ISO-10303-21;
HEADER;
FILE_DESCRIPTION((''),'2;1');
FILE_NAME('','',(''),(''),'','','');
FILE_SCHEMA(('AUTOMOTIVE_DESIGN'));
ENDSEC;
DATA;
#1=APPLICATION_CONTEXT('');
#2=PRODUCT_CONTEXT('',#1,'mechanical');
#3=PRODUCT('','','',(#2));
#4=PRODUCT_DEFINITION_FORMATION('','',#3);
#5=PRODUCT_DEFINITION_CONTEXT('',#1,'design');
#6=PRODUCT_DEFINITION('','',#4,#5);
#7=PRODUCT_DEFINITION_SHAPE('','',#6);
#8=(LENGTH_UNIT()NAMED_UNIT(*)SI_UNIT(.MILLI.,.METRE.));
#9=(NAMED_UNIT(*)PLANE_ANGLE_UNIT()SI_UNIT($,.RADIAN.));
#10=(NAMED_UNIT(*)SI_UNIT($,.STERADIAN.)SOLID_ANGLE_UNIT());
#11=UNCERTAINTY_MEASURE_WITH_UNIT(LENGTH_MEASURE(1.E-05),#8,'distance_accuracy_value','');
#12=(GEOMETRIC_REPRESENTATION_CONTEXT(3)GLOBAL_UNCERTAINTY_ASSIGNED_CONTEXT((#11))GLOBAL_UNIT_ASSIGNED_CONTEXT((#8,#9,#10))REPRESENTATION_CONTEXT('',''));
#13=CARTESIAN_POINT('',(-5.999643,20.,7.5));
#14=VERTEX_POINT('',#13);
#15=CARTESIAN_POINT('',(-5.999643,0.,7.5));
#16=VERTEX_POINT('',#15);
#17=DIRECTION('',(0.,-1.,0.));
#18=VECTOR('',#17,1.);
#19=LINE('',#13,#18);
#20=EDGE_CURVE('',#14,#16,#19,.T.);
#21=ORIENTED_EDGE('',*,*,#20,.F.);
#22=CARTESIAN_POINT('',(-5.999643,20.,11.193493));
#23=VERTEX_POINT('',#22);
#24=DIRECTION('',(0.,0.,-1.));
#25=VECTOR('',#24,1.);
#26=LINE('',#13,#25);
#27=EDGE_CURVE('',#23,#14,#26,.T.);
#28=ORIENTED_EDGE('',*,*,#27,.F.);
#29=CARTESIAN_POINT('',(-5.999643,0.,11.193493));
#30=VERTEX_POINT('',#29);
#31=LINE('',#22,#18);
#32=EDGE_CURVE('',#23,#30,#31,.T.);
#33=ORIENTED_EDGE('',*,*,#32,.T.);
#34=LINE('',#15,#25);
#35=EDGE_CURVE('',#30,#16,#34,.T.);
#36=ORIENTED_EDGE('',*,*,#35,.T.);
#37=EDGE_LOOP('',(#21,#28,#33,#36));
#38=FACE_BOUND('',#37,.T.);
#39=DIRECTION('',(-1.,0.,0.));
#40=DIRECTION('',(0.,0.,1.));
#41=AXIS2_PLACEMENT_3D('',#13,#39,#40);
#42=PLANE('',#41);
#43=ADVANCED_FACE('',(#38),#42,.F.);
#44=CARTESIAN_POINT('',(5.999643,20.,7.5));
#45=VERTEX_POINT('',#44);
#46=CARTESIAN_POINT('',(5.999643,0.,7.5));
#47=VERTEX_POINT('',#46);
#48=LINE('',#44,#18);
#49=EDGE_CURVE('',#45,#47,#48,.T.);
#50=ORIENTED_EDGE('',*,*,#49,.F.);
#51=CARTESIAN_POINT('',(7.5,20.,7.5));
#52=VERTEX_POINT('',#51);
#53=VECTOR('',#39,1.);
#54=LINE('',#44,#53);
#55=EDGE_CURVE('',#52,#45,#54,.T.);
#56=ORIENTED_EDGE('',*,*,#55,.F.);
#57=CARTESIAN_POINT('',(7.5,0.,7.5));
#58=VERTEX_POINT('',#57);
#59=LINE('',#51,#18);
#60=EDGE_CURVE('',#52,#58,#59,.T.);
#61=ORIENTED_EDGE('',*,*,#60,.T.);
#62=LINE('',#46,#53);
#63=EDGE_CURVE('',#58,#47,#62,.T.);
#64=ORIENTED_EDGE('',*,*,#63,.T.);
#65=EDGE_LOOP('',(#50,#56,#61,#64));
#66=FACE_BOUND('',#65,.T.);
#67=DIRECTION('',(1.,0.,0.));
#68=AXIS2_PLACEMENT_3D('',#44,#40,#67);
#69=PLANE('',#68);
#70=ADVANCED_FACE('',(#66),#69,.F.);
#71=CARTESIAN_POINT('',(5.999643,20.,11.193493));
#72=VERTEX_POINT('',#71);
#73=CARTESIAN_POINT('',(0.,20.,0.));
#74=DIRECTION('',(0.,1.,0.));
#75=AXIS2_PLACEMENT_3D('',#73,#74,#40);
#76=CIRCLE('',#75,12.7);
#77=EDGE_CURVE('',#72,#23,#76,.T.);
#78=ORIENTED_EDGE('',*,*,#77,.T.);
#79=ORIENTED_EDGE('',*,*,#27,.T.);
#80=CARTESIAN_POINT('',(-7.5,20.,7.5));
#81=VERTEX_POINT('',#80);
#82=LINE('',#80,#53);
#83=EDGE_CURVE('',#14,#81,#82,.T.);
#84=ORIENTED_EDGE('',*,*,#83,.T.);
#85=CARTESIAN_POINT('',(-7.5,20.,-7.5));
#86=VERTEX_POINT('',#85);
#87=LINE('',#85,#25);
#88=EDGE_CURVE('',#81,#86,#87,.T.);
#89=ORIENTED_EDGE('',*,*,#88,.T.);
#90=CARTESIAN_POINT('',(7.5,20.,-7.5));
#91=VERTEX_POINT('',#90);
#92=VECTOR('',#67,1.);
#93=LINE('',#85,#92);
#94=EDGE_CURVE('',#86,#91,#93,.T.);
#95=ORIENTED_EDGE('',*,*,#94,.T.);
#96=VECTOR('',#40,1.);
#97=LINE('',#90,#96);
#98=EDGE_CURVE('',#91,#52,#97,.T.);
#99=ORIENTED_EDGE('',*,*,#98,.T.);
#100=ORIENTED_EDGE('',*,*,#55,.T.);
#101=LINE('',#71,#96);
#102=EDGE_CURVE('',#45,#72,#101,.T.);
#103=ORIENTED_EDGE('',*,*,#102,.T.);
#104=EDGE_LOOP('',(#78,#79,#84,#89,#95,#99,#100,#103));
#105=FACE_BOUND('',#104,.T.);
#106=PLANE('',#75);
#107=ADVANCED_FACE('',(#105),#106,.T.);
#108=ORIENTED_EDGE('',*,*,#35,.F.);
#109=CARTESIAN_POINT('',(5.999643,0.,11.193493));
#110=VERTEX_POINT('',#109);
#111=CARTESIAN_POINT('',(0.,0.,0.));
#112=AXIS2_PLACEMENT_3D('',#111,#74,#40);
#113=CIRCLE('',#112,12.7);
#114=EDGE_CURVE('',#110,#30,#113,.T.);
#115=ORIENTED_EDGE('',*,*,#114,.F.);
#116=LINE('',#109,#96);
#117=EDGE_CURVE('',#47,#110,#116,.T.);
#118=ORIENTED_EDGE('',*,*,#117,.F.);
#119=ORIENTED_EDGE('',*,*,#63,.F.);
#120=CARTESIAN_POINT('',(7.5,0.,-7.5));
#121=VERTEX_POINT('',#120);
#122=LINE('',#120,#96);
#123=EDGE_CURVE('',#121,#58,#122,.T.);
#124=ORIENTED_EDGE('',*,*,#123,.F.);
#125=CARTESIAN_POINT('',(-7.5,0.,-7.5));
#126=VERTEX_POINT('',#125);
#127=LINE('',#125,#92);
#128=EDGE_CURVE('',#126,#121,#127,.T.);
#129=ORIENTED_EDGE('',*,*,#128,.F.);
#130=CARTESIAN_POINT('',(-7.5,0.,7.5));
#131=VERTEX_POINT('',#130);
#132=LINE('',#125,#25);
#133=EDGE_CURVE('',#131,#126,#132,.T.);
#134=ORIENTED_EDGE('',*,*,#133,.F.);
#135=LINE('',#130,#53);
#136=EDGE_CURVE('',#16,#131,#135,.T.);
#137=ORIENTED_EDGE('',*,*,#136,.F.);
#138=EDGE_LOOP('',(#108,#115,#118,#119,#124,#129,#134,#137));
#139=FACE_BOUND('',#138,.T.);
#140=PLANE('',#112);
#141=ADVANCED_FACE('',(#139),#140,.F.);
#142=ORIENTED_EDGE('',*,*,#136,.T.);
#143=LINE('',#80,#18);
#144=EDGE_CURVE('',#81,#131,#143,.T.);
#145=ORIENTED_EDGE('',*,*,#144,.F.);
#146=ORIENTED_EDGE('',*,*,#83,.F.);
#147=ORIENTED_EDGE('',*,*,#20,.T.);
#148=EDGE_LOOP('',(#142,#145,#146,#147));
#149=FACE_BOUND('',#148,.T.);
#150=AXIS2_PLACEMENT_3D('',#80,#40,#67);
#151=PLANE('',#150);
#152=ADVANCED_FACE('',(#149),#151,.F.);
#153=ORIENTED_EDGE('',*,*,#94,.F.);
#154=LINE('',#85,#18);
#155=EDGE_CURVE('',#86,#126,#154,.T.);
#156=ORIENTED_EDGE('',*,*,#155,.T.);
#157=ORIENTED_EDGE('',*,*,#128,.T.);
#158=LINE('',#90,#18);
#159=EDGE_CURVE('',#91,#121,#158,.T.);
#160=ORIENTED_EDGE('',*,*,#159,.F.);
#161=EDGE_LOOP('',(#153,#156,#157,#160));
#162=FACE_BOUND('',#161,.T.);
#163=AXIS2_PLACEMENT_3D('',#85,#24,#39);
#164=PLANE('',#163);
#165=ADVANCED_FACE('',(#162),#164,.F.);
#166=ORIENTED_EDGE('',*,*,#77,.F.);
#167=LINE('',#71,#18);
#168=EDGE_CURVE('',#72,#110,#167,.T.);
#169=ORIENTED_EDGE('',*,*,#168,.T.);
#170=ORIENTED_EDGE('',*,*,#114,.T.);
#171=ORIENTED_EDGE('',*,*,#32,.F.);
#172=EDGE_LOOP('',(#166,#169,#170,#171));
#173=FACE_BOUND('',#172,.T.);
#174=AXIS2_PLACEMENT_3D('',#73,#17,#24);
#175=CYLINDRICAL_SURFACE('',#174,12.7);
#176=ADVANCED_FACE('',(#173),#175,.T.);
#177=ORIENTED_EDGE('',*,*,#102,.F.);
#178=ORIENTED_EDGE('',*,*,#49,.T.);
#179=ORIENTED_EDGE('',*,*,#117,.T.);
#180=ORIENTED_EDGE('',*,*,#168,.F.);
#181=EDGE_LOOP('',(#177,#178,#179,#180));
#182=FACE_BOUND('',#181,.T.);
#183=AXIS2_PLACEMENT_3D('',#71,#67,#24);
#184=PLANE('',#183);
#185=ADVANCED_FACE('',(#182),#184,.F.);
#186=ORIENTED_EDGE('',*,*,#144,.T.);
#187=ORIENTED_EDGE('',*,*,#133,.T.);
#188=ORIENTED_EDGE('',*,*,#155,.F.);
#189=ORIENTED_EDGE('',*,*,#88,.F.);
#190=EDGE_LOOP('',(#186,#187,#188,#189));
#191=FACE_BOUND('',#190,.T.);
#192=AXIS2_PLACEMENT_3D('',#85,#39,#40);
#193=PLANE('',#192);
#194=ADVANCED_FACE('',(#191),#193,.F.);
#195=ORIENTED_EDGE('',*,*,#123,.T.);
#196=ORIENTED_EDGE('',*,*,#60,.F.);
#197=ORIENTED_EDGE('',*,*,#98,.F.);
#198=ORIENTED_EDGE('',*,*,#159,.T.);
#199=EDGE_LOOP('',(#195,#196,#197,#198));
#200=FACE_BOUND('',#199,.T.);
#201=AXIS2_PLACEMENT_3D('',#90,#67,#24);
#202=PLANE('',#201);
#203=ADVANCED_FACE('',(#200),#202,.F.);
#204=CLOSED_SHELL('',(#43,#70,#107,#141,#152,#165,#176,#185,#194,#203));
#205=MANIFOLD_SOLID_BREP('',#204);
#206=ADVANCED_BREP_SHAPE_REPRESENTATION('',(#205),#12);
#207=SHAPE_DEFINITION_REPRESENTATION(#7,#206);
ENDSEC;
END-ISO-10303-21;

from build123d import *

# Parameters (mm, degrees)
BOSS_EXTRUDE2_DEPTH = 20


with BuildPart() as part:
    # Sketch1 → Boss-Extrude2 (new body)
    with BuildSketch(Plane(origin=(0, 0, 0), x_dir=(1, 0, 0), z_dir=(0, 1, 0))):
        with BuildLine():
            Line((5.999643171, -7.5), (7.5, -7.5))
            Line((7.5, -7.5), (7.5, 7.5))
            Line((7.5, 7.5), (-7.5, 7.5))
            Line((-7.5, 7.5), (-7.5, -7.5))
            Line((-7.5, -7.5), (-5.999643171, -7.5))
            Line((-5.999643171, -7.5), (-5.999643171, -11.193492834))
            ThreePointArc((-5.999643171, -11.193492834), (0, 12.7), (5.999643171, -11.193492834))
            Line((5.999643171, -11.193492834), (5.999643171, -7.5))
        make_face()
    extrude(amount=BOSS_EXTRUDE2_DEPTH)


solid = part.part
